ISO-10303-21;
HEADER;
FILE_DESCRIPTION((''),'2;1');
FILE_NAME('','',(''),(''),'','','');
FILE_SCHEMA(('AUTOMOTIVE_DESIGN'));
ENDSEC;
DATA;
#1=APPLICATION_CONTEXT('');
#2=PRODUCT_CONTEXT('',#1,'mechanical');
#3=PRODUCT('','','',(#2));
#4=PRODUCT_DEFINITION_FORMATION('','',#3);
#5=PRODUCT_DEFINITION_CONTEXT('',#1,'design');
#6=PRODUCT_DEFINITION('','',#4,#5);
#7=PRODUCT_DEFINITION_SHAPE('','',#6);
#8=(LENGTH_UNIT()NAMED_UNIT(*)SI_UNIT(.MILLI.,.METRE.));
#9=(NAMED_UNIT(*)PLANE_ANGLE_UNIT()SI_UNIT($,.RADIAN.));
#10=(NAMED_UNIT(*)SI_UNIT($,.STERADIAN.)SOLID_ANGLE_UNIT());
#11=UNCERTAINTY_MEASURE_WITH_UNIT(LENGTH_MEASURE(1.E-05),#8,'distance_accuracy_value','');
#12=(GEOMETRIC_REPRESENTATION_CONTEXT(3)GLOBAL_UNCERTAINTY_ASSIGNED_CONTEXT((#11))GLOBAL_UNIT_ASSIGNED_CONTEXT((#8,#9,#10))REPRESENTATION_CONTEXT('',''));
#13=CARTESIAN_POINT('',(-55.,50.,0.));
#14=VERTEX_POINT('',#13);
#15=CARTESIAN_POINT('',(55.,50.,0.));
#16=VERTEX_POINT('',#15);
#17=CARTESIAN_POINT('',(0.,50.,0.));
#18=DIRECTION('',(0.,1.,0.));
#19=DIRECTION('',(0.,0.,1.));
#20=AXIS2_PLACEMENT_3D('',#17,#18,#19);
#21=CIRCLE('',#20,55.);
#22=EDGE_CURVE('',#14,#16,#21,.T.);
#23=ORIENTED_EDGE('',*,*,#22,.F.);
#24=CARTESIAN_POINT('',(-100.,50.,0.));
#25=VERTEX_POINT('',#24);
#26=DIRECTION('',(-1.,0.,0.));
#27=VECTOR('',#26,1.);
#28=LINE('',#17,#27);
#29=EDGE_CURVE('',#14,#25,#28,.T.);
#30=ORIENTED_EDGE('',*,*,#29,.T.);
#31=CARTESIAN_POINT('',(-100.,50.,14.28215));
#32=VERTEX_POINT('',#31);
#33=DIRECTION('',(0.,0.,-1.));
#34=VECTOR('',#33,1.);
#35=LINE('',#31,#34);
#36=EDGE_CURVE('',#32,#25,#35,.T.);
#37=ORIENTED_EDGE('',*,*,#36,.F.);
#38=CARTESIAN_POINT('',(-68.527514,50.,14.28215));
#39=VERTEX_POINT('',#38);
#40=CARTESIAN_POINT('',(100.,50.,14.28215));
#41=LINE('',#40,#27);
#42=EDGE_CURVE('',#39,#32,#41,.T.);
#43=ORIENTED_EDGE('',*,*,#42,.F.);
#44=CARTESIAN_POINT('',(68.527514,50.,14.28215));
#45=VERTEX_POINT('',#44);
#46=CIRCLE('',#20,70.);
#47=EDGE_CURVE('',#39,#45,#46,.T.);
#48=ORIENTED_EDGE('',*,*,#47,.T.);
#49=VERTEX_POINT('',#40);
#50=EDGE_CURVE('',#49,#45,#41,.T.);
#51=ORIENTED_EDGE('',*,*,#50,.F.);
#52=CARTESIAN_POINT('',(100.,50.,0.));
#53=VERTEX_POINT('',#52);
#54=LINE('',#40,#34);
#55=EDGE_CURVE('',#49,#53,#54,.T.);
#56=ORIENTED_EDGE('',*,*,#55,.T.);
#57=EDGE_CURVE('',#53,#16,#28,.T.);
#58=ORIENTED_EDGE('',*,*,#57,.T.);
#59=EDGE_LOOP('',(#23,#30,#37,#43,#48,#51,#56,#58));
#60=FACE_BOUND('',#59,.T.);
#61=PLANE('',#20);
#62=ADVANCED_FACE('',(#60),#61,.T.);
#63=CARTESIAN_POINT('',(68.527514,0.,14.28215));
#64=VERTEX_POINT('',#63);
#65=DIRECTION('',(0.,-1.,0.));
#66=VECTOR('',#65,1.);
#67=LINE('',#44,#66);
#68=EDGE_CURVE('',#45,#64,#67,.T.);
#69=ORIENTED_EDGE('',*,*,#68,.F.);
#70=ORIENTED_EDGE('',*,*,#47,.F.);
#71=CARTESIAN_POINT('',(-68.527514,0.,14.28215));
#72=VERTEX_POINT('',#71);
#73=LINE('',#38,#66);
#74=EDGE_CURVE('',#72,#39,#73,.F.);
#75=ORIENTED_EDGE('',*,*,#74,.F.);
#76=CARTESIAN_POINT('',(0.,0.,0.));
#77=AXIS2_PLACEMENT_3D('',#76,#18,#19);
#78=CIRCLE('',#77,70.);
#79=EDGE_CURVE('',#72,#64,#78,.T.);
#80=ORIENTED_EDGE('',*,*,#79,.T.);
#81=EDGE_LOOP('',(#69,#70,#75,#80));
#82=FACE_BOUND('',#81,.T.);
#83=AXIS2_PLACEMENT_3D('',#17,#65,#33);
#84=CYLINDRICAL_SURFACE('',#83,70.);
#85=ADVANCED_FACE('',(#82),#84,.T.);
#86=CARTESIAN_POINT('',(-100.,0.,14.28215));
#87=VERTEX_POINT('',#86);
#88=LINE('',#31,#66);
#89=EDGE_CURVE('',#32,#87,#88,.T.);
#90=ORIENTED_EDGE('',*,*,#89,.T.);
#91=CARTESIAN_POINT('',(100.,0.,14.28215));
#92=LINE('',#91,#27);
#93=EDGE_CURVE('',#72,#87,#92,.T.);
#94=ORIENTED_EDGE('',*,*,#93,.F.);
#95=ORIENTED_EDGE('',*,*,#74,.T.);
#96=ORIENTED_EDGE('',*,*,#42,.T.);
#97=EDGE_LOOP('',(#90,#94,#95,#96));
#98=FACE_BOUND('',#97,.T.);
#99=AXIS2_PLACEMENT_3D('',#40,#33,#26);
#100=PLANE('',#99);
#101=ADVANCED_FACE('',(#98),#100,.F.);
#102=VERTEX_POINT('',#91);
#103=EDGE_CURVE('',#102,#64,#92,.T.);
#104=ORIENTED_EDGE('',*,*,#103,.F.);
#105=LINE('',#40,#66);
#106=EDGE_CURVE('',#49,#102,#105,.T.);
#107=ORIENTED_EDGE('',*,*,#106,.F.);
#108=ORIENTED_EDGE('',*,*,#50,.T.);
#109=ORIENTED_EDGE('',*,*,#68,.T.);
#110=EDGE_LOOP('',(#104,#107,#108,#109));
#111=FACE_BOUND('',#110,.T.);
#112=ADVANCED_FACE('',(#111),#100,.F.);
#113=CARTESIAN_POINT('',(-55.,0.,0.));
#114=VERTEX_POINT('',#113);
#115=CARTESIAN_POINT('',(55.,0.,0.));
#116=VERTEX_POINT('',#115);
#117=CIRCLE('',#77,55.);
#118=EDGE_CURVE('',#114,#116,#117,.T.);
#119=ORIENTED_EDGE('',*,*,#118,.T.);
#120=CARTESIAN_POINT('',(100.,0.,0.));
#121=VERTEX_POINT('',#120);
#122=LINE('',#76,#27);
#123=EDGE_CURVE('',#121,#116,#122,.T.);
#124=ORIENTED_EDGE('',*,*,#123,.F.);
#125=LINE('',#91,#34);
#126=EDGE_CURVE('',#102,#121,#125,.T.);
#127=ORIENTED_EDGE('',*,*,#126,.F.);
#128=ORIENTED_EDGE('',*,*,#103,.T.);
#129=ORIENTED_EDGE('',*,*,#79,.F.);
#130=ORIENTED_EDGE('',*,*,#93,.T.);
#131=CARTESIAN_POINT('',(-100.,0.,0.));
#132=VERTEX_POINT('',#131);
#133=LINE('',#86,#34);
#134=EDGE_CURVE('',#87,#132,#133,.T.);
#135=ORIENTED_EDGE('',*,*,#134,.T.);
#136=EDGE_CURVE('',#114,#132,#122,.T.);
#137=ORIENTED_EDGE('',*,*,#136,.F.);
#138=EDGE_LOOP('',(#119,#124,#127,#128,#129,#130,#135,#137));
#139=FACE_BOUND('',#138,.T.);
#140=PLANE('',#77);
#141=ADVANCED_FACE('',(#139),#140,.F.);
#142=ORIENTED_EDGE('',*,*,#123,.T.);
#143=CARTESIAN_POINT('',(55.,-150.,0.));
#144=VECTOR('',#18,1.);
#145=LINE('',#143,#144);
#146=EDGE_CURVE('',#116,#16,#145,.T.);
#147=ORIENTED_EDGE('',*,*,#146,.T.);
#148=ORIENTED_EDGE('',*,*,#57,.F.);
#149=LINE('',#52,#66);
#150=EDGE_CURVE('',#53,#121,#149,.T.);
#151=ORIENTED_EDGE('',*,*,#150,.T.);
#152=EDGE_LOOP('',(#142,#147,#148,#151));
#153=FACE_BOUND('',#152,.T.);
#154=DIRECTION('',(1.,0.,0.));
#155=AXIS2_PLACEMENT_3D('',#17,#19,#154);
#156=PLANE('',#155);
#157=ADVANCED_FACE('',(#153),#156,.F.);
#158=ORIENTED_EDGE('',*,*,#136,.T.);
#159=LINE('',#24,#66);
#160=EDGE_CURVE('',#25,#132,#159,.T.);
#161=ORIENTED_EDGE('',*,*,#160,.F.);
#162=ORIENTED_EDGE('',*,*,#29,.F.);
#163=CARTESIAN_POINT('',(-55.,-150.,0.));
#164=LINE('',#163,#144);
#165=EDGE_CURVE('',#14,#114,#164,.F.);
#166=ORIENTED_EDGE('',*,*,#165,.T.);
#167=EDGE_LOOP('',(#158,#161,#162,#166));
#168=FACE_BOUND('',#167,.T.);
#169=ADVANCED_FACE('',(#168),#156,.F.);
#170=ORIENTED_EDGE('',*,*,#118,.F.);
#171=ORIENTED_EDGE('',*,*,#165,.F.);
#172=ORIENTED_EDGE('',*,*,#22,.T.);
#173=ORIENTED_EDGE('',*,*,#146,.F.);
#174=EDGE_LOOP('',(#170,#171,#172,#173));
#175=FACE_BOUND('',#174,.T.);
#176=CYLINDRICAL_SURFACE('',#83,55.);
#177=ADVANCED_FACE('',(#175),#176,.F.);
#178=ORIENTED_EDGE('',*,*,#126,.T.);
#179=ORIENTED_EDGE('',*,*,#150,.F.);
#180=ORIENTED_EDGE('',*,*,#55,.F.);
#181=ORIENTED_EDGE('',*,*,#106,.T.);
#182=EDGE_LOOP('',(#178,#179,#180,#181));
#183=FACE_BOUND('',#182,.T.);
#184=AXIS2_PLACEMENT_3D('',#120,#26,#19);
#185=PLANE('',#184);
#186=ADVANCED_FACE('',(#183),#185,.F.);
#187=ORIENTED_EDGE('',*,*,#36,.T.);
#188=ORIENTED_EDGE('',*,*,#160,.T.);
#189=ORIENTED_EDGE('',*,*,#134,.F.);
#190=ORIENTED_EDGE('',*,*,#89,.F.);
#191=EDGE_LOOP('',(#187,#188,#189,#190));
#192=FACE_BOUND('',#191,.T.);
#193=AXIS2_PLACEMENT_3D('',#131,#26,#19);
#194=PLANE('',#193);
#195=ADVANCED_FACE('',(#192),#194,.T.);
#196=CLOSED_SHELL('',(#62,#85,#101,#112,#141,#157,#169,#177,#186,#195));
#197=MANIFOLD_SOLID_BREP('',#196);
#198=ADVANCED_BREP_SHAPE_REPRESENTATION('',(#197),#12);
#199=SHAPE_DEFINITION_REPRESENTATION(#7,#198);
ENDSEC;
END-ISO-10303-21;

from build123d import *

# Parameters (mm, degrees)
BOSS_EXTRUDE1_DEPTH = 50
SKETCH3_W           = 14.282150027
SKETCH3_H           = 50
BOSS_EXTRUDE2_DEPTH = 100
CUT_EXTRUDE1_START  = -200
SKETCH4_R           = 55
CUT_EXTRUDE1_DEPTH  = 200


with BuildPart() as part:
    # Sketch1 → Boss-Extrude1 (new body)
    with BuildSketch(Plane(origin=(0, 0, 0), x_dir=(1, 0, 0), z_dir=(0, 1, 0))):
        with BuildLine():
            ThreePointArc((-70, 0), (0, -70), (70, 0))
            Line((70, 0), (55, 0))
            ThreePointArc((55, 0), (0, -55), (-55, 0))
            Line((-55, 0), (-70, 0))
        make_face()
    extrude(amount=BOSS_EXTRUDE1_DEPTH)

    # Sketch3 → Boss-Extrude2 (add, symmetric)
    with BuildSketch(Plane(origin=(0, 0, 0), x_dir=(0, 0, -1), z_dir=(1, 0, 0))):
        with Locations((-7.141075014, 25)):
            Rectangle(SKETCH3_W, SKETCH3_H)
    extrude(amount=BOSS_EXTRUDE2_DEPTH, both=True)

    # Sketch4 → Cut-Extrude1 (cut)
    with BuildSketch(Plane(origin=(0, 50, 0), x_dir=(1, 0, 0), z_dir=(0, 1, 0)).offset(CUT_EXTRUDE1_START)):
        Circle(SKETCH4_R)
    extrude(amount=CUT_EXTRUDE1_DEPTH, mode=Mode.SUBTRACT)


solid = part.part
